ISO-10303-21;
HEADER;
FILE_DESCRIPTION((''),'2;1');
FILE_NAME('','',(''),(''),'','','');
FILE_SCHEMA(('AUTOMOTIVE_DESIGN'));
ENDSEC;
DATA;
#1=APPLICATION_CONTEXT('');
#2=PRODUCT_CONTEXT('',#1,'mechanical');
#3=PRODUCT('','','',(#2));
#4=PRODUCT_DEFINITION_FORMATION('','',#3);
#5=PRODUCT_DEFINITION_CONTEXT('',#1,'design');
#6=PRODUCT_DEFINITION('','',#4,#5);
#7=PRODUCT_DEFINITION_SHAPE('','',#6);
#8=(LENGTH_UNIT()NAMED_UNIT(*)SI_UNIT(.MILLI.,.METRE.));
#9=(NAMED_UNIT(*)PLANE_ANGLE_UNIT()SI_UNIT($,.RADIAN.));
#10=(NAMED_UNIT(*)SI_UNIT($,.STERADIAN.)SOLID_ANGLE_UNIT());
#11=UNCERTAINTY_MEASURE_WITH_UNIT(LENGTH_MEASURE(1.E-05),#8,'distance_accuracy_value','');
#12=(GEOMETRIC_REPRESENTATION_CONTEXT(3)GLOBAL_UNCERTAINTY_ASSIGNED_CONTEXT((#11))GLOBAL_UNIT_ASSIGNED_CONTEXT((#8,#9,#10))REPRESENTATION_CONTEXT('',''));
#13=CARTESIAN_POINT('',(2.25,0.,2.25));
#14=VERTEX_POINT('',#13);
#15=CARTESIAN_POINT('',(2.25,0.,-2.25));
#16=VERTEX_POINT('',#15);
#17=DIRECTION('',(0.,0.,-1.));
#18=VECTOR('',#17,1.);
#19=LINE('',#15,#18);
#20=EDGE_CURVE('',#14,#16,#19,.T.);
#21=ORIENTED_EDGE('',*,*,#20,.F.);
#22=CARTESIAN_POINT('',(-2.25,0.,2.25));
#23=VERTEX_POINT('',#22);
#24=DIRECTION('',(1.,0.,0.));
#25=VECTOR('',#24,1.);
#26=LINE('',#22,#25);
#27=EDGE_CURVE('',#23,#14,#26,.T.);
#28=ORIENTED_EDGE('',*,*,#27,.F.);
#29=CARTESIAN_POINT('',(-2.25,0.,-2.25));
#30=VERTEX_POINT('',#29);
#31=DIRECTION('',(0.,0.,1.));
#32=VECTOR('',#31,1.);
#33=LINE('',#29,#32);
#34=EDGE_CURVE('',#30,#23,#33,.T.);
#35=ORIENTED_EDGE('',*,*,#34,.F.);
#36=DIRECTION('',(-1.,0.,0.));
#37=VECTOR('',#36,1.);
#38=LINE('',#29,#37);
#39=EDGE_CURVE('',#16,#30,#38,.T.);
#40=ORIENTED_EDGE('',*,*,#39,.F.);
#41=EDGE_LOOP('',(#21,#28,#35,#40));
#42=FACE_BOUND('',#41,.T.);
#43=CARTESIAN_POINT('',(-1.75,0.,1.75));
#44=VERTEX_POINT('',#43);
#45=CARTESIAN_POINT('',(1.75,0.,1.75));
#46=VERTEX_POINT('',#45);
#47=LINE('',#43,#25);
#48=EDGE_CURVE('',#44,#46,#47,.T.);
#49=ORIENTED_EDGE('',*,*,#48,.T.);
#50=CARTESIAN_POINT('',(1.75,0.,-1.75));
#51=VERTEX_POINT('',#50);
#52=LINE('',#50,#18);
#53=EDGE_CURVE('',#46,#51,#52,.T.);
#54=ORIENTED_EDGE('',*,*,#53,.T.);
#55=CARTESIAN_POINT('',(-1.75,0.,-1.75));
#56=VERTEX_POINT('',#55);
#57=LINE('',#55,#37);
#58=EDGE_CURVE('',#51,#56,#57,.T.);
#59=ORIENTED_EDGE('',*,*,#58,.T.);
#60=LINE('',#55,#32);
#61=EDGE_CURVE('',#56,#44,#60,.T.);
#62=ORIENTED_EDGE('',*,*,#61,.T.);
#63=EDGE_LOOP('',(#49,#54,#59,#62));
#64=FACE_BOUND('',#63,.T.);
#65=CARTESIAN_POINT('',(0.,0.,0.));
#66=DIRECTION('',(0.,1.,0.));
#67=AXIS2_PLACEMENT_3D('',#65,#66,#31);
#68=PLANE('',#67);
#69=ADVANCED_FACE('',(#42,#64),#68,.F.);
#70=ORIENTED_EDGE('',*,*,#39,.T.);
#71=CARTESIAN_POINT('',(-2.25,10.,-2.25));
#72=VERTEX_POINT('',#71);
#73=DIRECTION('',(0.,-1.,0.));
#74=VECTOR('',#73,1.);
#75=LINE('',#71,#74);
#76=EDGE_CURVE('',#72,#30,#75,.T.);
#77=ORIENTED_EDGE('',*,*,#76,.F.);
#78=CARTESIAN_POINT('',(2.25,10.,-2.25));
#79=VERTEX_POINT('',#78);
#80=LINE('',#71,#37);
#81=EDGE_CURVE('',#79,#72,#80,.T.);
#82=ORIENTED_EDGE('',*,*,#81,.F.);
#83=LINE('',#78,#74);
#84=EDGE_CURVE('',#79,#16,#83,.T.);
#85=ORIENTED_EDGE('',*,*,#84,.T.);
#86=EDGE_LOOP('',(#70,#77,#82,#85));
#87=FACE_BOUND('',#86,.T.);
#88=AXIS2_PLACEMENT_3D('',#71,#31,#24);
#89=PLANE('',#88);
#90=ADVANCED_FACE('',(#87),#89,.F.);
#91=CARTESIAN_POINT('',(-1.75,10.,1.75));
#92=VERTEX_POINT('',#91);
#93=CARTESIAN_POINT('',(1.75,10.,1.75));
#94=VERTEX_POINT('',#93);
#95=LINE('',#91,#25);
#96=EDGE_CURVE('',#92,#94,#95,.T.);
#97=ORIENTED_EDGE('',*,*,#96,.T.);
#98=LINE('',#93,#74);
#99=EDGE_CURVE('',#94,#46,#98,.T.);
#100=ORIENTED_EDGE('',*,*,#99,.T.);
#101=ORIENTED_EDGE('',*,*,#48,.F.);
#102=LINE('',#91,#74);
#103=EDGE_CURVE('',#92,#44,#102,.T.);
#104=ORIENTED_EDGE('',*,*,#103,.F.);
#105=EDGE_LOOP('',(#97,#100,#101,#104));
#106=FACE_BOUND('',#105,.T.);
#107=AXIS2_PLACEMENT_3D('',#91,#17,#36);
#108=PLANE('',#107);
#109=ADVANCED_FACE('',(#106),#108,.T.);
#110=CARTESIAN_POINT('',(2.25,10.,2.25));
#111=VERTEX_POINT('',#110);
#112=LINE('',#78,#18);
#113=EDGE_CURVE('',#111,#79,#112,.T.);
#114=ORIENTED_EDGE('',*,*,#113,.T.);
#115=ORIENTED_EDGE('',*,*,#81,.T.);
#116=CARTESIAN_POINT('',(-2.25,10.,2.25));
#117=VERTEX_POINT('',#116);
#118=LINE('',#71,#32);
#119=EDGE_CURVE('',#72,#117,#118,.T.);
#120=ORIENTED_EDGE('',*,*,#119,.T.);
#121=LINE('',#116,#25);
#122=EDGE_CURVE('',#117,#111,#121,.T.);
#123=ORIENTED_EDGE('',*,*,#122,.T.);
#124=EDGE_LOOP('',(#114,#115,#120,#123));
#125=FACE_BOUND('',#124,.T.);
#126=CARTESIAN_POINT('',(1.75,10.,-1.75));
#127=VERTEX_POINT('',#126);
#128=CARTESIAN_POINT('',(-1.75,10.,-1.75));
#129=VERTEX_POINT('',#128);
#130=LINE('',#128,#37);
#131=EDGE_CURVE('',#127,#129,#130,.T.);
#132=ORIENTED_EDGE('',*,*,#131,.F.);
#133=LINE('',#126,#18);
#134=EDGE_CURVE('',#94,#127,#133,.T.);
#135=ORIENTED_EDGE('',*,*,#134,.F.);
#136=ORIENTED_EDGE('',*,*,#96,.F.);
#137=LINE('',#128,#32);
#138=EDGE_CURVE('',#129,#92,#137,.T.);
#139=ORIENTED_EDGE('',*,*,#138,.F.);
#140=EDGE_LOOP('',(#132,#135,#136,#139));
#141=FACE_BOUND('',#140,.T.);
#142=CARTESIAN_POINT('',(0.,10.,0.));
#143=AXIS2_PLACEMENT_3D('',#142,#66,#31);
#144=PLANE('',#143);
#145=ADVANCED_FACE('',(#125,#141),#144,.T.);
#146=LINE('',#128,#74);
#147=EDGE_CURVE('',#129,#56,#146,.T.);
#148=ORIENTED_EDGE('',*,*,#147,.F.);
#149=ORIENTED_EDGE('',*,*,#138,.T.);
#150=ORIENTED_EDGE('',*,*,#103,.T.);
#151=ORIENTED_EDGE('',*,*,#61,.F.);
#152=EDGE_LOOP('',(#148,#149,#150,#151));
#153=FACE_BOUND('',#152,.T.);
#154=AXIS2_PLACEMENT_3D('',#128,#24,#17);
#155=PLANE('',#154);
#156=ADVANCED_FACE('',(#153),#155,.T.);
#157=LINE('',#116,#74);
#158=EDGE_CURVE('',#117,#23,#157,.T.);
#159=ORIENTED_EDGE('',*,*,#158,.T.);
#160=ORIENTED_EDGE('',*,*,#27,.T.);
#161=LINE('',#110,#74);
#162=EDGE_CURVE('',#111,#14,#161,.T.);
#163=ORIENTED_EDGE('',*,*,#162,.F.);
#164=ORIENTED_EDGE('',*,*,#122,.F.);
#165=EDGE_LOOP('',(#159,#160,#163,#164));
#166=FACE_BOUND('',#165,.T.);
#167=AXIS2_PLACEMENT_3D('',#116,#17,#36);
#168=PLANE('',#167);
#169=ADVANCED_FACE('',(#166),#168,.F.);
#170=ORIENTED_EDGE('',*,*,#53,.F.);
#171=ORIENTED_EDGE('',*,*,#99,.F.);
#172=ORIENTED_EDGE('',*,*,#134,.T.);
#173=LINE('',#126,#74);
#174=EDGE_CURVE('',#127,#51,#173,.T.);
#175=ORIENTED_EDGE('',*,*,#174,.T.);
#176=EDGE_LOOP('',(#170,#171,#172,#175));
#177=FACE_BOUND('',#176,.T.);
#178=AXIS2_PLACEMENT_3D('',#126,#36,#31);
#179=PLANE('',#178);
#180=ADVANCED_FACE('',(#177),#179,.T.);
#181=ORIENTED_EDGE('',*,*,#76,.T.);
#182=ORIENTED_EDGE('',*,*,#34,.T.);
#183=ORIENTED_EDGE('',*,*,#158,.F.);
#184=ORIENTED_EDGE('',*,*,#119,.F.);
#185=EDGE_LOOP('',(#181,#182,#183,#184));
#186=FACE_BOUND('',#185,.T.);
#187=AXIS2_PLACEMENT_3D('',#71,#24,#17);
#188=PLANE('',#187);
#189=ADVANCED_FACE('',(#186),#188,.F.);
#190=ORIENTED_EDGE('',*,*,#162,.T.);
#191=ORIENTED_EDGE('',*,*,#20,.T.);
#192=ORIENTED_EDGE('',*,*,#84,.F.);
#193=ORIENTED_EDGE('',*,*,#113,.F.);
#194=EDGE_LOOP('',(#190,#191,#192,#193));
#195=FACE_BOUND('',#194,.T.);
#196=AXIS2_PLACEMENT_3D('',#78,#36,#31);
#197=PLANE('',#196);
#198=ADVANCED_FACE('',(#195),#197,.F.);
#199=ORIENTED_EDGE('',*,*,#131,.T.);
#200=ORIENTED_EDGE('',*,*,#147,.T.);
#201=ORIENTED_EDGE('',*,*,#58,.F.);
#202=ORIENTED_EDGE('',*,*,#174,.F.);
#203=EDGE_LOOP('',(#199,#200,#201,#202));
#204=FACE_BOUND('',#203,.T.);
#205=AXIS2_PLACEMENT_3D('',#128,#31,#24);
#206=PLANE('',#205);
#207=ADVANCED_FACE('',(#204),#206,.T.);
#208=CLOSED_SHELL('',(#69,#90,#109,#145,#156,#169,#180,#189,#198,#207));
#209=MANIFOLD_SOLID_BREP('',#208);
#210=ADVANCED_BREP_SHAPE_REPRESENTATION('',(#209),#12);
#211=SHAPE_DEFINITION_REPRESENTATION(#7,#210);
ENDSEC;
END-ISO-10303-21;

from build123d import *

# Parameters (mm, degrees)
SKETCH_1_W      = 4.5
SKETCH_1_H      = 4.5
SKETCH_1_W_2    = 3.5
SKETCH_1_H_2    = 3.5
EXTRUDE_1_DEPTH = 10


with BuildPart() as part:
    # 草图1 → 凸台-拉伸1 (new body)
    with BuildSketch(Plane(origin=(0, 0, 0), x_dir=(1, 0, 0), z_dir=(0, 1, 0))):
        Rectangle(SKETCH_1_W, SKETCH_1_H)
        Rectangle(SKETCH_1_W_2, SKETCH_1_H_2, mode=Mode.SUBTRACT)
    extrude(amount=EXTRUDE_1_DEPTH)


solid = part.part
